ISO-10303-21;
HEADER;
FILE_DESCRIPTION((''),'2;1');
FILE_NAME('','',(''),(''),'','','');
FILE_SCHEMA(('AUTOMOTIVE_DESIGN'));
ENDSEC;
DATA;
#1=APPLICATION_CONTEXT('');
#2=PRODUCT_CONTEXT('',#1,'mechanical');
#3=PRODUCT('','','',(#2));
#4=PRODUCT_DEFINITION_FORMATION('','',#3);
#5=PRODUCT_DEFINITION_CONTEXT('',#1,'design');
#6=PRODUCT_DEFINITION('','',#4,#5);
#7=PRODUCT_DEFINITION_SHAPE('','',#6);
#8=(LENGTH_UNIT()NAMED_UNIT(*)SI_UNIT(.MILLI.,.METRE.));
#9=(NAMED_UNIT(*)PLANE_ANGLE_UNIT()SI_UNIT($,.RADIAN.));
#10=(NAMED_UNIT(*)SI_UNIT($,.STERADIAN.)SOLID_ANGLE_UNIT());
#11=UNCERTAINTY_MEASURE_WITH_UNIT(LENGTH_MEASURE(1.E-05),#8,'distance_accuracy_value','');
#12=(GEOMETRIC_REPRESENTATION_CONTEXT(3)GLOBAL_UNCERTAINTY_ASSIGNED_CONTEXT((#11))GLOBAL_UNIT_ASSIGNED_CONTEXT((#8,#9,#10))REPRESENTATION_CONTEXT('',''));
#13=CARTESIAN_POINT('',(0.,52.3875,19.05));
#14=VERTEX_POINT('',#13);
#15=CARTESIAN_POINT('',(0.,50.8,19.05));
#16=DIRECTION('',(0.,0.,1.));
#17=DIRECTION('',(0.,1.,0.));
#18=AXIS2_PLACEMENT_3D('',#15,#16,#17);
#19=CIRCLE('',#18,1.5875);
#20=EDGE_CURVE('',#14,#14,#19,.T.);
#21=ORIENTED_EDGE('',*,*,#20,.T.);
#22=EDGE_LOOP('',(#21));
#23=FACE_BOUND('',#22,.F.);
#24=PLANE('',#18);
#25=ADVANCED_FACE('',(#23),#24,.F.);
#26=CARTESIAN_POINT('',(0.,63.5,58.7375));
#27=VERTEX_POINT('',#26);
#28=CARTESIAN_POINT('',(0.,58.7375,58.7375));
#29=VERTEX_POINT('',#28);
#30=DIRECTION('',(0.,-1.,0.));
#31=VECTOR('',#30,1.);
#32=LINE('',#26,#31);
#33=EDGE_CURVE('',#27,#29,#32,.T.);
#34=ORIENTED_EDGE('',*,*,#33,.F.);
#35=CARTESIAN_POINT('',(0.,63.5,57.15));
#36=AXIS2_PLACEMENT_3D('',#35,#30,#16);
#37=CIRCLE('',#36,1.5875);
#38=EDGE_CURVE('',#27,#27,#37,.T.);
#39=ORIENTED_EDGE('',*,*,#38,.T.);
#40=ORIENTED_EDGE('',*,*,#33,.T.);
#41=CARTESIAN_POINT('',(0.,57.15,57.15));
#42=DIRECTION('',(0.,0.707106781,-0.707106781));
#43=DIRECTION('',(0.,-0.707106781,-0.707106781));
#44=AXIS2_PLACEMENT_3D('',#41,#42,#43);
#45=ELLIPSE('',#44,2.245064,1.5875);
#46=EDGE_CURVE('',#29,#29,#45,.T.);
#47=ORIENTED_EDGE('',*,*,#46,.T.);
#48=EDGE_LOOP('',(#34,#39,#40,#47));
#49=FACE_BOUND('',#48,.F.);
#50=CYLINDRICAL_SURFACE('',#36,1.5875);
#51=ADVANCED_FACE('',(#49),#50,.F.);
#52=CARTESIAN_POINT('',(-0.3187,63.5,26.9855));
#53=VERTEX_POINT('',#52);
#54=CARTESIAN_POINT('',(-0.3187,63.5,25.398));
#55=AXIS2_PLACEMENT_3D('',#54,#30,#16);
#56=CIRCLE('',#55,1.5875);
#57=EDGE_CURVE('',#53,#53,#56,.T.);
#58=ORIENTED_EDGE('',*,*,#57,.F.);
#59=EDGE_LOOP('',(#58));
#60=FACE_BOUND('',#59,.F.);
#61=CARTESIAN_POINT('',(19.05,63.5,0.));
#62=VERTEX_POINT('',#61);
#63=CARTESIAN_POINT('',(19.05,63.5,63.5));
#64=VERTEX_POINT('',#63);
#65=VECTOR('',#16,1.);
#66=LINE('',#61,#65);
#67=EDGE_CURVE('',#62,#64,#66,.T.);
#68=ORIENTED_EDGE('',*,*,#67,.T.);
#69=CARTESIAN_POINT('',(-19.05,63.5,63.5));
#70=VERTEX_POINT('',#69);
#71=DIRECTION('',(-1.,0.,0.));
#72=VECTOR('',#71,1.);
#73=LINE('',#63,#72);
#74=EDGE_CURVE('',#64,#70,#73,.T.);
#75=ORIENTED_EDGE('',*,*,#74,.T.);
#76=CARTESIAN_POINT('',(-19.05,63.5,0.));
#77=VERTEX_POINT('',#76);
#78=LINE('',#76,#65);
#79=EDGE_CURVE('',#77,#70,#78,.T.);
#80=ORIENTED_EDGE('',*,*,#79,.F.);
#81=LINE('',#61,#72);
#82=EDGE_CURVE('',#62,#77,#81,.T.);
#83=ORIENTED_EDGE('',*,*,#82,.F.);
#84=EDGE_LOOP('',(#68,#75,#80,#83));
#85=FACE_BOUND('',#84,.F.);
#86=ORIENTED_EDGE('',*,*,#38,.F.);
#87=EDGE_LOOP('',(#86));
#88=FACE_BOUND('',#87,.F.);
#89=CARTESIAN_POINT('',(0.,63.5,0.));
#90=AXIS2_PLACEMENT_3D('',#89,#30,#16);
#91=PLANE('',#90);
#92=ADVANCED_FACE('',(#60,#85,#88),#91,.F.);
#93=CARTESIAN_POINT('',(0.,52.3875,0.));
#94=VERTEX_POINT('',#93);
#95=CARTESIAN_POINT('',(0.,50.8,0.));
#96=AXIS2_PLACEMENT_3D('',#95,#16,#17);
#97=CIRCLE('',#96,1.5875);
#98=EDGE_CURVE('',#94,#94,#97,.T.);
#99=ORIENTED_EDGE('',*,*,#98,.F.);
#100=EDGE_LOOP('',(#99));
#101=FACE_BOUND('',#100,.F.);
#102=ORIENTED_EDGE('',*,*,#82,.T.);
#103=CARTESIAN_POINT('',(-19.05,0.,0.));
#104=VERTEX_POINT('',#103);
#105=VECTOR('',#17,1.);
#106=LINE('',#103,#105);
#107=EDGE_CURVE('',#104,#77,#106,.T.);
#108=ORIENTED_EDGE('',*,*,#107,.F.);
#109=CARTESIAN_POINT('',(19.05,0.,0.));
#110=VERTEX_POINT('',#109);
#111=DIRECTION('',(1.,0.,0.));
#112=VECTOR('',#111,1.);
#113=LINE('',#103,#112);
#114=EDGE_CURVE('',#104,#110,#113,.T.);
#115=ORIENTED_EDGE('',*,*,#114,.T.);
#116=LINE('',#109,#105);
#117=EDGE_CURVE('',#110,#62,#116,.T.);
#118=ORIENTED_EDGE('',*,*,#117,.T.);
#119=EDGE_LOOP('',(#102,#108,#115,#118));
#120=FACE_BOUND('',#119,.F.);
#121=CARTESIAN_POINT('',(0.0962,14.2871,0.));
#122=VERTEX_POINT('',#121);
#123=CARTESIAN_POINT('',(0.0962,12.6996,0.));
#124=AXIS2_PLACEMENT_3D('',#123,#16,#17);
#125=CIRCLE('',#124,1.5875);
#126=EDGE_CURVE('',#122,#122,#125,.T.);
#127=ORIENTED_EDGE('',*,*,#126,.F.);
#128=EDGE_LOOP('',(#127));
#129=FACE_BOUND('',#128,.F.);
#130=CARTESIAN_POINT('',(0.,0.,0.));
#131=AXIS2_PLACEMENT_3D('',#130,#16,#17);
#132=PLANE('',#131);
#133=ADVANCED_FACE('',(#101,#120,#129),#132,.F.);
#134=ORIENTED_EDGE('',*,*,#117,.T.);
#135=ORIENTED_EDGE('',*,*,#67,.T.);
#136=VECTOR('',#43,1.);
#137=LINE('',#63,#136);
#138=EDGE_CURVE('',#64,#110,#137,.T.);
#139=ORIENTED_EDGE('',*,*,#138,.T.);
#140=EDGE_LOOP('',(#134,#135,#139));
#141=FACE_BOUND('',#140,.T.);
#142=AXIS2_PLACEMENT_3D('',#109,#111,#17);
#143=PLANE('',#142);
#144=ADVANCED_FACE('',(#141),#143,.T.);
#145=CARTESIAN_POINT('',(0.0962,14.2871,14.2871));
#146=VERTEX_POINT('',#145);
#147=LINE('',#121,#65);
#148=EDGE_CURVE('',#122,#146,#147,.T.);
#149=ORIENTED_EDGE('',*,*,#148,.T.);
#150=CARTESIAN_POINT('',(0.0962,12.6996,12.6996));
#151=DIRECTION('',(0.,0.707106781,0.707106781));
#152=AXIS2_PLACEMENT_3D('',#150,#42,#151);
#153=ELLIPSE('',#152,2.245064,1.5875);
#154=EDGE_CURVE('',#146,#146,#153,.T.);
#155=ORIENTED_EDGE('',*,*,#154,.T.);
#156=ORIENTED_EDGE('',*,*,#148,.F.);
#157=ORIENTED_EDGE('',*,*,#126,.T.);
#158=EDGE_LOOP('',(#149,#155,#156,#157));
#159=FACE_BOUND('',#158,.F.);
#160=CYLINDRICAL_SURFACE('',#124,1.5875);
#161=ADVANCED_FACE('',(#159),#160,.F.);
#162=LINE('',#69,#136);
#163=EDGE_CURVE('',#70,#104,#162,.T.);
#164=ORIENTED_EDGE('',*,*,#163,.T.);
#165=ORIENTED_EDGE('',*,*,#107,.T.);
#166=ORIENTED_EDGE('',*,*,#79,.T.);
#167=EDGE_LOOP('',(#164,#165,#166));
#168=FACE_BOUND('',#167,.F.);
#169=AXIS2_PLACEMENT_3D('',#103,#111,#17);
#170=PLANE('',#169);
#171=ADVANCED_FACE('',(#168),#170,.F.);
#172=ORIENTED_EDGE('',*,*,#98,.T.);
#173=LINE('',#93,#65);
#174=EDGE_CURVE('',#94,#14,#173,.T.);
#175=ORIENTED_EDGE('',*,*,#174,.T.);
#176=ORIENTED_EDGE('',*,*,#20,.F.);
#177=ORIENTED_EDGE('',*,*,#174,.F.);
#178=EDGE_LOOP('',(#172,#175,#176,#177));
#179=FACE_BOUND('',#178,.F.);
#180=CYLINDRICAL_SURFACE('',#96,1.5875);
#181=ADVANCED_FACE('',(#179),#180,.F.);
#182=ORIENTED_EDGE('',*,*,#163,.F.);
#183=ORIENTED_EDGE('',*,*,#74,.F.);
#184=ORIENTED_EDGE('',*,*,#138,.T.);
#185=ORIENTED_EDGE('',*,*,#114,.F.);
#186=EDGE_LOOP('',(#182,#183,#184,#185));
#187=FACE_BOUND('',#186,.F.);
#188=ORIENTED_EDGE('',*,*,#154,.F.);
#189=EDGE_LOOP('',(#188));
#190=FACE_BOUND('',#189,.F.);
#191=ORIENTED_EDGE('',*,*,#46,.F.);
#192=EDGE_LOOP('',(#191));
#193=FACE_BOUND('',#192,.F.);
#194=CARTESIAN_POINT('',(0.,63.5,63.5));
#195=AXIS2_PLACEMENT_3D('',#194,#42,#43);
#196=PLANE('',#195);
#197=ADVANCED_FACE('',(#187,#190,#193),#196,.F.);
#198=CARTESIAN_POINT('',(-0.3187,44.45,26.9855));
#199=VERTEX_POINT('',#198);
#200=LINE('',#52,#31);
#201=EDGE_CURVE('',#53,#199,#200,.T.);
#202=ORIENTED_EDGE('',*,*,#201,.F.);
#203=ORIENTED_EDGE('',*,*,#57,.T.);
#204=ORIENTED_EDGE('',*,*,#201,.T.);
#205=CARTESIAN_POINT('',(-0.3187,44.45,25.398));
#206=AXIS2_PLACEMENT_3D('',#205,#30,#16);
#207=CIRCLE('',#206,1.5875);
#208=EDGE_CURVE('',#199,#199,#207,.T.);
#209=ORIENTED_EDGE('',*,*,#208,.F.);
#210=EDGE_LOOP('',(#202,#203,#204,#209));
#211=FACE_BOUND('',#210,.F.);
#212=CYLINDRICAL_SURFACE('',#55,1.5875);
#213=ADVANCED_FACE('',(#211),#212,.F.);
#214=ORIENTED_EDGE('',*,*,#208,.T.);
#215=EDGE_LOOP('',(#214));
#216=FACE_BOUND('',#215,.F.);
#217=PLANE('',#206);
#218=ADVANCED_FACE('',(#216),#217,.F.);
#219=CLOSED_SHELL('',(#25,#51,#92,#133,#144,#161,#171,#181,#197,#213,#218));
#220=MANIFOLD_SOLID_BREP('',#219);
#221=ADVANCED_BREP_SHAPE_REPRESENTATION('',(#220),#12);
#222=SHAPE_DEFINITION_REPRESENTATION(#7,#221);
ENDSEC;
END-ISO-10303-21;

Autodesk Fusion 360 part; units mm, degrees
sketch "Sketch1" plane through (0, 0, 0) normal (1, 0, 0) x (0, 1, 0)
  line L0 (0, 0) -> (63.5, 0)
  line L1 (63.5, 0) -> (63.5, 63.5)
  line L2 (63.5, 63.5) -> (0, 0)
  dimension "d1" = 63.5
extrude "Extrude1" add sketch "Sketch1" along normal mid plane 38.1
sketch "Sketch2" plane through (0, 0, 0) normal (0, 0, -1) x (1, 0, 0)
  line L0 (-19.05, -63.5) -> (19.05, -63.5)
  line L1 (19.05, -63.5) -> (19.05, 0)
  line L2 (19.05, 0) -> (-19.05, 0)
  line L3 (-19.05, 0) -> (-19.05, -63.5)
  circle A0 centre (0.0962, -12.6996) radius 6.8134
  circle A1 centre (0, -50.8) radius 6.965
  dimension "d10" = 12.7
  dimension "d11" = 12.7
sketch "Sketch3" plane through (0, 63.5, 0) normal (0, 1, 0) x (-1, 0, 0)
  line L0 (19.05, 63.5) -> (-19.05, 63.5)
  line L1 (-19.05, 63.5) -> (-19.05, 0)
  line L2 (-19.05, 0) -> (19.05, 0)
  line L3 (19.05, 0) -> (19.05, 63.5)
  circle A0 centre (0.3187, 25.398) radius 3.175
  circle A1 centre (0, 57.15) radius 3.175
  dimension "d12" = 25.4
  dimension "d13" = 6.35
  dimension "d14" = 6.35
  dimension "d15" = 6.35
hole "Hole3" at (0, 63.5, 57.15) at (-0.3187, 63.5, 25.398) direction (0, -1, 0) diameter 3.175 depth 19.05 tip angle 180
hole "Hole4" at (0, 50.8, 0) at (0.0962, 12.6996, 0) direction (0, 0, 1) diameter 3.175 depth 19.05 tip angle 180
equation "d17 = ( 1 / 8 ) * 1 in"
